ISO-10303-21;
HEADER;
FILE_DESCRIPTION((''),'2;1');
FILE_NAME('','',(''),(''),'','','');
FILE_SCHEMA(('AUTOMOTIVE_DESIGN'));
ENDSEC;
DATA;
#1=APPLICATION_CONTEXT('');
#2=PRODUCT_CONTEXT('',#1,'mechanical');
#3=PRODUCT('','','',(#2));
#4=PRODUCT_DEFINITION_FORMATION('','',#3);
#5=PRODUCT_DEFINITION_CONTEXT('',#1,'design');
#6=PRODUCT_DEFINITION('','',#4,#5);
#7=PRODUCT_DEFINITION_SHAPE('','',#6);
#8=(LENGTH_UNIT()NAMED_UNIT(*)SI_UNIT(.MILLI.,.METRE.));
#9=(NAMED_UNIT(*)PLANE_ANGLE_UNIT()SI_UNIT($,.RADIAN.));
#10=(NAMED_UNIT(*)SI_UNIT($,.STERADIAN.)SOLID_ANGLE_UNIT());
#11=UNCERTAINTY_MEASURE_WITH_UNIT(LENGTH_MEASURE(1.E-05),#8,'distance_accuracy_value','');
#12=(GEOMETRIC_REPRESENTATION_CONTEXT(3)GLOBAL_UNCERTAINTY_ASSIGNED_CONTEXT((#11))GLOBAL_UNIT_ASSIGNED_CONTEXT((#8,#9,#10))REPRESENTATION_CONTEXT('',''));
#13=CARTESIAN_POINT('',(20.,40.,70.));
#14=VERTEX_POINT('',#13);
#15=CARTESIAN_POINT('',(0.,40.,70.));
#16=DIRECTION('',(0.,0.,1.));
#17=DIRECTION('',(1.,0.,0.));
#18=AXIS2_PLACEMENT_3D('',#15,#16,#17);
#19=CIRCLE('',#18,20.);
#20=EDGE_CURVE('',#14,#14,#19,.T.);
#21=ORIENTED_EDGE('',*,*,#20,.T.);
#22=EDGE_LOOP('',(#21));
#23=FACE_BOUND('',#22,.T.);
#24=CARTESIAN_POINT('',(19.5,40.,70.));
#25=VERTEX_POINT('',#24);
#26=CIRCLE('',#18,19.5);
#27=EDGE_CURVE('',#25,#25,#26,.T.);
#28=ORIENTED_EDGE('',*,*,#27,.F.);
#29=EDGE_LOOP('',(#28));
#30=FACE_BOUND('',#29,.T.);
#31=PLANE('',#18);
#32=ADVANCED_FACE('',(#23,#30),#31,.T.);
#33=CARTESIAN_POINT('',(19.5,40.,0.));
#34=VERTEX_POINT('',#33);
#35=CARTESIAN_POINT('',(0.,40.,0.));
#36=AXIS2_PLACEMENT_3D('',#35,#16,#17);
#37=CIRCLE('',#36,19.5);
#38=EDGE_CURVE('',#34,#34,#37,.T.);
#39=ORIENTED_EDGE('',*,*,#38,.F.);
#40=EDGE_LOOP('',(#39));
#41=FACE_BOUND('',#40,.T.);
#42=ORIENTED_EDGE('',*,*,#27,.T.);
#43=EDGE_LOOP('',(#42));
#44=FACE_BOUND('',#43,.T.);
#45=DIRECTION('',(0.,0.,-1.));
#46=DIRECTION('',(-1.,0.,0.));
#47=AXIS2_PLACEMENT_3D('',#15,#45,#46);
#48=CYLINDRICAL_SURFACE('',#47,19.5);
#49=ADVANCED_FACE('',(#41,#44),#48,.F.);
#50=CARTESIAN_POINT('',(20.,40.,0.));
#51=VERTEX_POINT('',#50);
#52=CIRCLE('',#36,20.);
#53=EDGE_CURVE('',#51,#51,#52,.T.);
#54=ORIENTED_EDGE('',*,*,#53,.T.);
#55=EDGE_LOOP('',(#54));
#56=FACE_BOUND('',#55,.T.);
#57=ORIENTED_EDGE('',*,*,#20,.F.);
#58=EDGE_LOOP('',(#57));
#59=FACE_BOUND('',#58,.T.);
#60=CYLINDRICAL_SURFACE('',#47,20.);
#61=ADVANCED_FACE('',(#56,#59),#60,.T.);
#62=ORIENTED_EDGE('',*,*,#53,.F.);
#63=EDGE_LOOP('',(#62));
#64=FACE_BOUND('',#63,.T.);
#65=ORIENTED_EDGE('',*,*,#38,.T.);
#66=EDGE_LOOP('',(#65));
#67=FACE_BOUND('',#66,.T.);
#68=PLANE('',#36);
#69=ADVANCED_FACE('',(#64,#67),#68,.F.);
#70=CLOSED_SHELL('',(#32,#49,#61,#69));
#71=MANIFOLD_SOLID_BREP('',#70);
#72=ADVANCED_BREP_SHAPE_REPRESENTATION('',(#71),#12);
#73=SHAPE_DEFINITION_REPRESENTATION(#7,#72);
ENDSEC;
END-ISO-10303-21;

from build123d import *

# Parameters (mm, degrees)
SKETCH1_R           = 20
SKETCH1_R_2         = 19.5
BOSS_EXTRUDE1_DEPTH = 70


with BuildPart() as part:
    # Sketch1 → Boss-Extrude1 (new body)
    with BuildSketch(Plane.XY):
        with Locations((0, 40)):
            Circle(SKETCH1_R)
        with Locations((0, 40)):
            Circle(SKETCH1_R_2, mode=Mode.SUBTRACT)
    extrude(amount=BOSS_EXTRUDE1_DEPTH)


solid = part.part
